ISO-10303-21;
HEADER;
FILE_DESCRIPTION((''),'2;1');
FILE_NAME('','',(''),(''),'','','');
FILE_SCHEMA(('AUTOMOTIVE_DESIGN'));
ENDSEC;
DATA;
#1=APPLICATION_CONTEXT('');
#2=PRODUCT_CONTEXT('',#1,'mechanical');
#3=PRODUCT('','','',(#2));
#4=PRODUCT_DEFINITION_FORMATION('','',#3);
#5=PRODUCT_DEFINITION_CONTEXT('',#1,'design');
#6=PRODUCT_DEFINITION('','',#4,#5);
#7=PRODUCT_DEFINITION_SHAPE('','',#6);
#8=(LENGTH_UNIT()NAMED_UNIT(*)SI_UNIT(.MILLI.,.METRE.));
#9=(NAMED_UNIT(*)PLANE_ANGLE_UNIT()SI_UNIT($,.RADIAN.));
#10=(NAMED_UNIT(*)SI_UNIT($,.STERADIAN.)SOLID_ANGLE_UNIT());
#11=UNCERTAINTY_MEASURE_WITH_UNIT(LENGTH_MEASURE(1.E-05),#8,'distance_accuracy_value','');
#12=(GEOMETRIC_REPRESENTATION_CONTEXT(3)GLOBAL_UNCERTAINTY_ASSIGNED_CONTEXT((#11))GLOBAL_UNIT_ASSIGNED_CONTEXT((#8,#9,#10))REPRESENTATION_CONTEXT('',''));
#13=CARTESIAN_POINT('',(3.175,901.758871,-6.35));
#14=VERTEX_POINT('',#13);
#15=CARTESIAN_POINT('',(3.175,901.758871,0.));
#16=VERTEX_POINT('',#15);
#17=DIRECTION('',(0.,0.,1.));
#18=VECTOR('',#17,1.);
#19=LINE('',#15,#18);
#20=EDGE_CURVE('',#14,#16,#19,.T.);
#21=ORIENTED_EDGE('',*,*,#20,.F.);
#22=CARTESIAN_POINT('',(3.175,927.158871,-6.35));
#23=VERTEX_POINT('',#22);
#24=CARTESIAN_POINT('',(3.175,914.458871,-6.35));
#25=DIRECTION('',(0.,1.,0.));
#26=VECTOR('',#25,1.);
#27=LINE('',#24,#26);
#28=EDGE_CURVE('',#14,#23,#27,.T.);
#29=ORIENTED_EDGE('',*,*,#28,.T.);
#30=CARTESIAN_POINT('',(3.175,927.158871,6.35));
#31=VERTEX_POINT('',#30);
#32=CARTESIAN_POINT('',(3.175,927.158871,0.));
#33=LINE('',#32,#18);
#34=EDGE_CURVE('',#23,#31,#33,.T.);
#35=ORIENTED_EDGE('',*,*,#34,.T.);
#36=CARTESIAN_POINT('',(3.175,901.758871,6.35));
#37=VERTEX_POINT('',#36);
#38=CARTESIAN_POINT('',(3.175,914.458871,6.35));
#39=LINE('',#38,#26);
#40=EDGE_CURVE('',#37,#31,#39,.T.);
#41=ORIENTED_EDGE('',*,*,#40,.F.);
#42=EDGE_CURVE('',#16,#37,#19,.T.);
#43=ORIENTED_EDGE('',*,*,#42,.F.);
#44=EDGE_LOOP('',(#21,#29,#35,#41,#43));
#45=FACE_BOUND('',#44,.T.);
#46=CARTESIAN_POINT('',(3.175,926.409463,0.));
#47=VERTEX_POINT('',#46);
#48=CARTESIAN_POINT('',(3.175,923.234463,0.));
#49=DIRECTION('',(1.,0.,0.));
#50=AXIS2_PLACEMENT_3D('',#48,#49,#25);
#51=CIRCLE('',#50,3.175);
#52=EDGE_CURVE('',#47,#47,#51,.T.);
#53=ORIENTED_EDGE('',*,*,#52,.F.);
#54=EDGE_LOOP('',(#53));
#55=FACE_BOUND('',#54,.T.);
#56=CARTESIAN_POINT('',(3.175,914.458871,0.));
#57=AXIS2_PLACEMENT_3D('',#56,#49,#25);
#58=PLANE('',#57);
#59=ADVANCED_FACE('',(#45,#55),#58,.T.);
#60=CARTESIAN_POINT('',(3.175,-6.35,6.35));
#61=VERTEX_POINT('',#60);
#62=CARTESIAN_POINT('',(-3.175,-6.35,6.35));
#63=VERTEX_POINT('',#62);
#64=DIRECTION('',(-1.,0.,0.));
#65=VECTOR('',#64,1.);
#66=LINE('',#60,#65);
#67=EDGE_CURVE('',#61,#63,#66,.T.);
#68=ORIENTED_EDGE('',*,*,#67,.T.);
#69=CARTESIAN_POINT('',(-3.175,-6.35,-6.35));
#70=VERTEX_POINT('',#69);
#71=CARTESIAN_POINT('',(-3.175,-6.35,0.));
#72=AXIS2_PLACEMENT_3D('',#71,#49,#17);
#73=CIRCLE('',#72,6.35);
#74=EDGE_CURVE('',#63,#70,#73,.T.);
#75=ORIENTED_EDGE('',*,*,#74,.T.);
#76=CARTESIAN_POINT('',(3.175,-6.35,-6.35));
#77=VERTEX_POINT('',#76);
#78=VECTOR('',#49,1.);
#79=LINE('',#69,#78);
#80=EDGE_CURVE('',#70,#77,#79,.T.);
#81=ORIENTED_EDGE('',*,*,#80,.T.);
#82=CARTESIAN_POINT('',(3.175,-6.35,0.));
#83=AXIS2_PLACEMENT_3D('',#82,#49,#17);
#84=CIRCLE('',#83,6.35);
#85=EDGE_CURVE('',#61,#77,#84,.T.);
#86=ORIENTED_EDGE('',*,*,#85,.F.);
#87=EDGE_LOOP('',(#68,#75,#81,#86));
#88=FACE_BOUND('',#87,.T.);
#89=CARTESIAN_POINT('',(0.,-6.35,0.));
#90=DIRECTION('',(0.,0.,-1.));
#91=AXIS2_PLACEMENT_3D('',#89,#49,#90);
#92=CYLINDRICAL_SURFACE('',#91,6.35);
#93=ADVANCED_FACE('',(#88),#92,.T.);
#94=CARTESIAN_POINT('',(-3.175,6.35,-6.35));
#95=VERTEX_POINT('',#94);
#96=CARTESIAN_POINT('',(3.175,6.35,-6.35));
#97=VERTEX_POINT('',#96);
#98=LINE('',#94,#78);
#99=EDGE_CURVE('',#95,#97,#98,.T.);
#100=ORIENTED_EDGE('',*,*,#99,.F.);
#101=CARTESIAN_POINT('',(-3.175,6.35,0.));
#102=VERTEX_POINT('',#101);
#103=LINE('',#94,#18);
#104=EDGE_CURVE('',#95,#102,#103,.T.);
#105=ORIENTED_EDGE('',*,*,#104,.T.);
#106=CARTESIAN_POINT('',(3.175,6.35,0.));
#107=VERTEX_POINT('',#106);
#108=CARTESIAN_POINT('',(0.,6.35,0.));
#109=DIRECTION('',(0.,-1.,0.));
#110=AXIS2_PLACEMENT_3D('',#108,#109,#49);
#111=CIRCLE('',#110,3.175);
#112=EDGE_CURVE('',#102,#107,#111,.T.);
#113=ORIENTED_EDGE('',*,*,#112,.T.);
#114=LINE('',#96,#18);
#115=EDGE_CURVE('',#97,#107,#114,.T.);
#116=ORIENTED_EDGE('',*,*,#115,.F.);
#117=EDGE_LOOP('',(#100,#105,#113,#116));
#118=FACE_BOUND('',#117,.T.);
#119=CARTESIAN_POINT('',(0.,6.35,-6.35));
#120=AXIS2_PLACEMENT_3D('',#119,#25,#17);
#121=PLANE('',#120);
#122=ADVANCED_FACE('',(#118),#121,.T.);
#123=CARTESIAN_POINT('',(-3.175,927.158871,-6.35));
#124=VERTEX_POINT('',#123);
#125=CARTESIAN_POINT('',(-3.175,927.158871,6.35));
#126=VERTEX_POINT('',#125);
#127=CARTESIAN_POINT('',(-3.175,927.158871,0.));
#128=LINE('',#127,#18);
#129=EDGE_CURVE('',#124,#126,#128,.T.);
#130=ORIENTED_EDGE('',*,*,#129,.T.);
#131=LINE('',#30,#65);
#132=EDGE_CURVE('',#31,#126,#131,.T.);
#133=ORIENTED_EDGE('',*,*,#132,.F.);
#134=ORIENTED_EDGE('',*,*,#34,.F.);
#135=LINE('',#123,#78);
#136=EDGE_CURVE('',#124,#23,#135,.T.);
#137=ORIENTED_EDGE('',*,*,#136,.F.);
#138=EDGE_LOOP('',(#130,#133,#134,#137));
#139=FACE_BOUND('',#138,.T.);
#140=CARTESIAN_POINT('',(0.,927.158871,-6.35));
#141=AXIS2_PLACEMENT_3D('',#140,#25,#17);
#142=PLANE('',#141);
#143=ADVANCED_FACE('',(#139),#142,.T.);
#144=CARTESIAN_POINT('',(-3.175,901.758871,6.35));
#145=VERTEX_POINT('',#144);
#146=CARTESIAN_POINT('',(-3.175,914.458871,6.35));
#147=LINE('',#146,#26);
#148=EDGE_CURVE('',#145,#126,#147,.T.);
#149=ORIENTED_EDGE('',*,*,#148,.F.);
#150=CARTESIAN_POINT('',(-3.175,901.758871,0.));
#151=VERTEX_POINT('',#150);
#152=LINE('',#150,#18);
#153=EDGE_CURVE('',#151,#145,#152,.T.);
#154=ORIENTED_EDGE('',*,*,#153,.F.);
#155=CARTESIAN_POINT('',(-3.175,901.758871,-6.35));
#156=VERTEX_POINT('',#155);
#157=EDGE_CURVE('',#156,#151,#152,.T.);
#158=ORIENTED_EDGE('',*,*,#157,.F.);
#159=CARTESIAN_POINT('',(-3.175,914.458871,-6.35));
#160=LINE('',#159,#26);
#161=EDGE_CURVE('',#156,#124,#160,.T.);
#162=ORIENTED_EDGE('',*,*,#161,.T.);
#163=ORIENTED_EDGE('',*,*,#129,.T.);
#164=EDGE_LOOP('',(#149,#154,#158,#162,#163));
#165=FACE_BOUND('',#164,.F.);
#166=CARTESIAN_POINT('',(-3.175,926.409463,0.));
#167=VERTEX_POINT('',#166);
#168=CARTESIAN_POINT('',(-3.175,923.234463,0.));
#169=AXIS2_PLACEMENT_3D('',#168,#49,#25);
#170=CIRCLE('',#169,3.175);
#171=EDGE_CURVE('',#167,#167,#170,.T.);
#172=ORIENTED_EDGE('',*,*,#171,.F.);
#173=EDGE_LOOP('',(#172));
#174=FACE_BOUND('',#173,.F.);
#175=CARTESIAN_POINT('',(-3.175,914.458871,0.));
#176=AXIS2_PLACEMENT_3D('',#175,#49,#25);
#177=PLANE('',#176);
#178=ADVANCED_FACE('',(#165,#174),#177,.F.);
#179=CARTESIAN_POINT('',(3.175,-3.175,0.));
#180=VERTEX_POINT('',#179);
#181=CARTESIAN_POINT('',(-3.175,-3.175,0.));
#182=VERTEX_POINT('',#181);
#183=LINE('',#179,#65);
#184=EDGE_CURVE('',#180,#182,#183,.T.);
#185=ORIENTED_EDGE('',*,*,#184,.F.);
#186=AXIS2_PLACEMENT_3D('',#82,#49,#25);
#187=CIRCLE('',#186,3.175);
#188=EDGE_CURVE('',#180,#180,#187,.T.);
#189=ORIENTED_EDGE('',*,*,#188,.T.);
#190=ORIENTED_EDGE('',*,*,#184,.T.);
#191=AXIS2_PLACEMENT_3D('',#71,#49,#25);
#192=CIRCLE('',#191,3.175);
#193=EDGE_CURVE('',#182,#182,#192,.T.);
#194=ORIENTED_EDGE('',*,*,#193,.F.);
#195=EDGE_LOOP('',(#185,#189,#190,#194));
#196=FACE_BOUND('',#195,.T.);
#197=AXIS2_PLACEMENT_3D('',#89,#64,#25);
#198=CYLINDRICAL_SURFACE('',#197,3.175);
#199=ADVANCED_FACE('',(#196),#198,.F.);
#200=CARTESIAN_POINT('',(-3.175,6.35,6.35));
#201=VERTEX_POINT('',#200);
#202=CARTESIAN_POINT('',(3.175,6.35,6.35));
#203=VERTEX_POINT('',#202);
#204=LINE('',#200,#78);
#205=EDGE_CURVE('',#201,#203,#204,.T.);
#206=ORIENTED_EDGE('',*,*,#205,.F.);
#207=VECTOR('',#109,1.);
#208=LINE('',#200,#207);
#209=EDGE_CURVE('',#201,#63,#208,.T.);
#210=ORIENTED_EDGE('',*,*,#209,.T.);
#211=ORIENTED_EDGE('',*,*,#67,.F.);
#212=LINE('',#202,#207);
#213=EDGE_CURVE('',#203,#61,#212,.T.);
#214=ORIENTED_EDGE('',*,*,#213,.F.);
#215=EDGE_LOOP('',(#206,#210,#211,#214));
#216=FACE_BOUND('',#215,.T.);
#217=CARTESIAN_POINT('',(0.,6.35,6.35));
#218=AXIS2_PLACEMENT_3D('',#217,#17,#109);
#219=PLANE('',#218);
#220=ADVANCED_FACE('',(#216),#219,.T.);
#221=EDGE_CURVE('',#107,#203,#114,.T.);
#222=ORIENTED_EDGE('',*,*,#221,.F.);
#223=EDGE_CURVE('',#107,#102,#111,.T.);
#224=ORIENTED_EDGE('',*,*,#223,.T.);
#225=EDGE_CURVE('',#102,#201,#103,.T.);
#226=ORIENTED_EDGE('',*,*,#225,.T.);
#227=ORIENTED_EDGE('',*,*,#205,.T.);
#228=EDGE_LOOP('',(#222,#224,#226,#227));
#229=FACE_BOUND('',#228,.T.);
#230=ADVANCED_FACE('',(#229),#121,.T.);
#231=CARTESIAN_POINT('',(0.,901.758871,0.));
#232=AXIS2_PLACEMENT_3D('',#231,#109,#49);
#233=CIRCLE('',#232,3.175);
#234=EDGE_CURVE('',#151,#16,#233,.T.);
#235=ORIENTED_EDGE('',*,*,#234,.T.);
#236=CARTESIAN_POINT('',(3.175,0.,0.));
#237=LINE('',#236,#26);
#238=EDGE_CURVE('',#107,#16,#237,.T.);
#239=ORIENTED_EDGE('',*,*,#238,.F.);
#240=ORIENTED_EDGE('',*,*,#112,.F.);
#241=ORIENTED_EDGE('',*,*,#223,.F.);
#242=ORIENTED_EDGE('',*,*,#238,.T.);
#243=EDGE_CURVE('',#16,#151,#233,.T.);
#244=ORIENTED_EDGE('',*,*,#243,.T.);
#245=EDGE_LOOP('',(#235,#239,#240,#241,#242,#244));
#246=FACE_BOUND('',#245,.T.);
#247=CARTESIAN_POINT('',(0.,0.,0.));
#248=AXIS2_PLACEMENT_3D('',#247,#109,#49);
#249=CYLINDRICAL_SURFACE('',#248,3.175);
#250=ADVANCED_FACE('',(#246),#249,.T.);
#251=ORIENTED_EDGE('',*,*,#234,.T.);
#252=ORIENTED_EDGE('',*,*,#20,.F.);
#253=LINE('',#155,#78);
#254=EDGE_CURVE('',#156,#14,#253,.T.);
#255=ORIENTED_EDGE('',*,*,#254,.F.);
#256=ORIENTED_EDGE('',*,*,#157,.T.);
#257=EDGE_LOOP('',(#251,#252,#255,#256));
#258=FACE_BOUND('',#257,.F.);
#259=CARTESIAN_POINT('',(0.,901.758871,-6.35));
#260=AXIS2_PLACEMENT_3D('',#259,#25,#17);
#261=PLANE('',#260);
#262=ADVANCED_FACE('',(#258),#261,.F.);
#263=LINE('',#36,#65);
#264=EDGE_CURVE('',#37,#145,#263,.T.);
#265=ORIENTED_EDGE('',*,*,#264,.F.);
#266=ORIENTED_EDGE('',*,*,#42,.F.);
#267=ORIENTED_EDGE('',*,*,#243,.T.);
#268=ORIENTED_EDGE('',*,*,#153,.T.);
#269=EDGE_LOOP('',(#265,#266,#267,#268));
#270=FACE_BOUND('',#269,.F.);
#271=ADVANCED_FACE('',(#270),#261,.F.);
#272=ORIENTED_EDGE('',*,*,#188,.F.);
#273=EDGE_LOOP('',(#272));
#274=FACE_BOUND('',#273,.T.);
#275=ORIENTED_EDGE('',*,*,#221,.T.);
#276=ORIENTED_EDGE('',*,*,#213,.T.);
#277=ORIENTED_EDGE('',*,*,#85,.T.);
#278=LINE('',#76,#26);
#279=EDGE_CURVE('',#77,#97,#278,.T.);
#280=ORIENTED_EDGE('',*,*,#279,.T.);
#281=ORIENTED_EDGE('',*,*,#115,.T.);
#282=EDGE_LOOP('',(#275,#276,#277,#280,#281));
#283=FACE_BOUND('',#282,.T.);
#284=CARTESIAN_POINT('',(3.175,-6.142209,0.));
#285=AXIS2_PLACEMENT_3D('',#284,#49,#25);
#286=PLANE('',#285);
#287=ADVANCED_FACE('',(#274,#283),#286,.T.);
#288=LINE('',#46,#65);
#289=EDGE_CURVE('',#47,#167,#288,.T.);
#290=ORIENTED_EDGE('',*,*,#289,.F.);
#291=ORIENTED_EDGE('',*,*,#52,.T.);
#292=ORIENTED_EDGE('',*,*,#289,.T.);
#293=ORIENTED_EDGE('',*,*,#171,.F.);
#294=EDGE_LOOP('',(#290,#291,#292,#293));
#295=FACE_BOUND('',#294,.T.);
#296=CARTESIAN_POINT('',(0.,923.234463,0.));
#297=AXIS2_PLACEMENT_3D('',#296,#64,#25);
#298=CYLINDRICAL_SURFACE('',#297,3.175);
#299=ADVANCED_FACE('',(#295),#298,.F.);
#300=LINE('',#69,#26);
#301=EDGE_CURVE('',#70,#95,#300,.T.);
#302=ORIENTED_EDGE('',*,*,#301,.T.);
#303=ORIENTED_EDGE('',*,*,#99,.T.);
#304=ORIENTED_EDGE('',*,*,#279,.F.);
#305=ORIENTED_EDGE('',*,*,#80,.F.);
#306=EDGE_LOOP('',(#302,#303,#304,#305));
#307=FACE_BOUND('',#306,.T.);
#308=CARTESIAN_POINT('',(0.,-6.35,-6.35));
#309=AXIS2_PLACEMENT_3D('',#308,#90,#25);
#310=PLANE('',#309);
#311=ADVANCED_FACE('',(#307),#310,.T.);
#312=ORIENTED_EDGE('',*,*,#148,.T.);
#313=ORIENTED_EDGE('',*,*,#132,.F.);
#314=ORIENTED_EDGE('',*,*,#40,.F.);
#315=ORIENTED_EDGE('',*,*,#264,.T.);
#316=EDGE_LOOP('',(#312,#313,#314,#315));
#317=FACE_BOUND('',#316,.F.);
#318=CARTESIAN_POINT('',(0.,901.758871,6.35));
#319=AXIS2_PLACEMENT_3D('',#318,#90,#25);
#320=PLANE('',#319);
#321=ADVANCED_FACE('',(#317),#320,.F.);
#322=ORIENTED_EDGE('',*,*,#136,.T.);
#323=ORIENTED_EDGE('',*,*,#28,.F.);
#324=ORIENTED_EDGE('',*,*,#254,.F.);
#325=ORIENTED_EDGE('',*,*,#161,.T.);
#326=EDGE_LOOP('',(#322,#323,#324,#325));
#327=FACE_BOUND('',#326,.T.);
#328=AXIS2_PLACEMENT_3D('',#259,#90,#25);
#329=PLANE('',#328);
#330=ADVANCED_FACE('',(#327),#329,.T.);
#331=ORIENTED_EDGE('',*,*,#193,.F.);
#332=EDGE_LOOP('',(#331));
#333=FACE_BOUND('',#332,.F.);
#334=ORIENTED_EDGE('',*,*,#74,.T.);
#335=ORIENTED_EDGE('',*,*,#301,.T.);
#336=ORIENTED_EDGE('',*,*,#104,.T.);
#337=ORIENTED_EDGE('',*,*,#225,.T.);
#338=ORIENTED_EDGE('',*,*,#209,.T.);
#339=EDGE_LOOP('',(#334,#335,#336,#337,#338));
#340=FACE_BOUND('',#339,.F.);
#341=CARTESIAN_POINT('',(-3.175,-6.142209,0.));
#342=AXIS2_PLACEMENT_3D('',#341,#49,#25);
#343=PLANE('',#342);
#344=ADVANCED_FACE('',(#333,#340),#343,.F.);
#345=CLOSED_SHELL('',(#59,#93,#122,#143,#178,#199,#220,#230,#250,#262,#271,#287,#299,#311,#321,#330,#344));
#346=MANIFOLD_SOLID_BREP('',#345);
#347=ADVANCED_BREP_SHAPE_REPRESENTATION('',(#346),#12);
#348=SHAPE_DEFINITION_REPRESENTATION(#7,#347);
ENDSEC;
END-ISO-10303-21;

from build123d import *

# Parameters (mm, degrees)
F1_R     = 3.175
F2_DEPTH = 3.175
F3_DEPTH = 3.175
F0_R     = 3.175
F4_DEPTH = 914.4
F5_W     = 25.4
F5_H     = 12.7
F5_R     = 3.175
F6_DEPTH = 3.175


with BuildPart() as f2:
    # F1 (on Right) → F2 (new body, symmetric)
    with BuildSketch(Plane.YZ):
        with BuildLine():
            ThreePointArc((-6.35, 6.35), (-12.7, 0), (-6.35, -6.35))
            ThreePointArc((-6.35, -6.35), (-1.8598719395, -4.4901280605), (0, 0))
            ThreePointArc((0, 0), (-1.8598719395, 4.4901280605), (-6.35, 6.35))
        make_face()
        with Locations((-6.35, 0)):
            Circle(F1_R, mode=Mode.SUBTRACT)
    extrude(amount=F2_DEPTH, both=True)

    # F1 (on Right) → F3 (join, symmetric)
    with BuildSketch(Plane.YZ):
        with BuildLine():
            Line((-6.35, -6.35), (6.35, -6.35))
            Line((6.35, -6.35), (6.35, 6.35))
            Line((6.35, 6.35), (-6.35, 6.35))
            ThreePointArc((-6.35, 6.35), (-1.8598719395, 4.4901280605), (0, 0))
            ThreePointArc((0, 0), (-1.8598719395, -4.4901280605), (-6.35, -6.35))
        make_face()
    extrude(amount=F3_DEPTH, both=True)

    # F0 (on Front) → F4 (join)
    with BuildSketch(Plane.XZ):
        Circle(F0_R)
    extrude(amount=-F4_DEPTH)

    # F5 (on Right) → F6 (join, symmetric)
    with BuildSketch(Plane.YZ):
        with Locations((914.4588708878, 0)):
            Rectangle(F5_W, F5_H)
        with Locations((923.234462738, 0)):
            Circle(F5_R, mode=Mode.SUBTRACT)
    extrude(amount=F6_DEPTH, both=True)


solid = f2.part
